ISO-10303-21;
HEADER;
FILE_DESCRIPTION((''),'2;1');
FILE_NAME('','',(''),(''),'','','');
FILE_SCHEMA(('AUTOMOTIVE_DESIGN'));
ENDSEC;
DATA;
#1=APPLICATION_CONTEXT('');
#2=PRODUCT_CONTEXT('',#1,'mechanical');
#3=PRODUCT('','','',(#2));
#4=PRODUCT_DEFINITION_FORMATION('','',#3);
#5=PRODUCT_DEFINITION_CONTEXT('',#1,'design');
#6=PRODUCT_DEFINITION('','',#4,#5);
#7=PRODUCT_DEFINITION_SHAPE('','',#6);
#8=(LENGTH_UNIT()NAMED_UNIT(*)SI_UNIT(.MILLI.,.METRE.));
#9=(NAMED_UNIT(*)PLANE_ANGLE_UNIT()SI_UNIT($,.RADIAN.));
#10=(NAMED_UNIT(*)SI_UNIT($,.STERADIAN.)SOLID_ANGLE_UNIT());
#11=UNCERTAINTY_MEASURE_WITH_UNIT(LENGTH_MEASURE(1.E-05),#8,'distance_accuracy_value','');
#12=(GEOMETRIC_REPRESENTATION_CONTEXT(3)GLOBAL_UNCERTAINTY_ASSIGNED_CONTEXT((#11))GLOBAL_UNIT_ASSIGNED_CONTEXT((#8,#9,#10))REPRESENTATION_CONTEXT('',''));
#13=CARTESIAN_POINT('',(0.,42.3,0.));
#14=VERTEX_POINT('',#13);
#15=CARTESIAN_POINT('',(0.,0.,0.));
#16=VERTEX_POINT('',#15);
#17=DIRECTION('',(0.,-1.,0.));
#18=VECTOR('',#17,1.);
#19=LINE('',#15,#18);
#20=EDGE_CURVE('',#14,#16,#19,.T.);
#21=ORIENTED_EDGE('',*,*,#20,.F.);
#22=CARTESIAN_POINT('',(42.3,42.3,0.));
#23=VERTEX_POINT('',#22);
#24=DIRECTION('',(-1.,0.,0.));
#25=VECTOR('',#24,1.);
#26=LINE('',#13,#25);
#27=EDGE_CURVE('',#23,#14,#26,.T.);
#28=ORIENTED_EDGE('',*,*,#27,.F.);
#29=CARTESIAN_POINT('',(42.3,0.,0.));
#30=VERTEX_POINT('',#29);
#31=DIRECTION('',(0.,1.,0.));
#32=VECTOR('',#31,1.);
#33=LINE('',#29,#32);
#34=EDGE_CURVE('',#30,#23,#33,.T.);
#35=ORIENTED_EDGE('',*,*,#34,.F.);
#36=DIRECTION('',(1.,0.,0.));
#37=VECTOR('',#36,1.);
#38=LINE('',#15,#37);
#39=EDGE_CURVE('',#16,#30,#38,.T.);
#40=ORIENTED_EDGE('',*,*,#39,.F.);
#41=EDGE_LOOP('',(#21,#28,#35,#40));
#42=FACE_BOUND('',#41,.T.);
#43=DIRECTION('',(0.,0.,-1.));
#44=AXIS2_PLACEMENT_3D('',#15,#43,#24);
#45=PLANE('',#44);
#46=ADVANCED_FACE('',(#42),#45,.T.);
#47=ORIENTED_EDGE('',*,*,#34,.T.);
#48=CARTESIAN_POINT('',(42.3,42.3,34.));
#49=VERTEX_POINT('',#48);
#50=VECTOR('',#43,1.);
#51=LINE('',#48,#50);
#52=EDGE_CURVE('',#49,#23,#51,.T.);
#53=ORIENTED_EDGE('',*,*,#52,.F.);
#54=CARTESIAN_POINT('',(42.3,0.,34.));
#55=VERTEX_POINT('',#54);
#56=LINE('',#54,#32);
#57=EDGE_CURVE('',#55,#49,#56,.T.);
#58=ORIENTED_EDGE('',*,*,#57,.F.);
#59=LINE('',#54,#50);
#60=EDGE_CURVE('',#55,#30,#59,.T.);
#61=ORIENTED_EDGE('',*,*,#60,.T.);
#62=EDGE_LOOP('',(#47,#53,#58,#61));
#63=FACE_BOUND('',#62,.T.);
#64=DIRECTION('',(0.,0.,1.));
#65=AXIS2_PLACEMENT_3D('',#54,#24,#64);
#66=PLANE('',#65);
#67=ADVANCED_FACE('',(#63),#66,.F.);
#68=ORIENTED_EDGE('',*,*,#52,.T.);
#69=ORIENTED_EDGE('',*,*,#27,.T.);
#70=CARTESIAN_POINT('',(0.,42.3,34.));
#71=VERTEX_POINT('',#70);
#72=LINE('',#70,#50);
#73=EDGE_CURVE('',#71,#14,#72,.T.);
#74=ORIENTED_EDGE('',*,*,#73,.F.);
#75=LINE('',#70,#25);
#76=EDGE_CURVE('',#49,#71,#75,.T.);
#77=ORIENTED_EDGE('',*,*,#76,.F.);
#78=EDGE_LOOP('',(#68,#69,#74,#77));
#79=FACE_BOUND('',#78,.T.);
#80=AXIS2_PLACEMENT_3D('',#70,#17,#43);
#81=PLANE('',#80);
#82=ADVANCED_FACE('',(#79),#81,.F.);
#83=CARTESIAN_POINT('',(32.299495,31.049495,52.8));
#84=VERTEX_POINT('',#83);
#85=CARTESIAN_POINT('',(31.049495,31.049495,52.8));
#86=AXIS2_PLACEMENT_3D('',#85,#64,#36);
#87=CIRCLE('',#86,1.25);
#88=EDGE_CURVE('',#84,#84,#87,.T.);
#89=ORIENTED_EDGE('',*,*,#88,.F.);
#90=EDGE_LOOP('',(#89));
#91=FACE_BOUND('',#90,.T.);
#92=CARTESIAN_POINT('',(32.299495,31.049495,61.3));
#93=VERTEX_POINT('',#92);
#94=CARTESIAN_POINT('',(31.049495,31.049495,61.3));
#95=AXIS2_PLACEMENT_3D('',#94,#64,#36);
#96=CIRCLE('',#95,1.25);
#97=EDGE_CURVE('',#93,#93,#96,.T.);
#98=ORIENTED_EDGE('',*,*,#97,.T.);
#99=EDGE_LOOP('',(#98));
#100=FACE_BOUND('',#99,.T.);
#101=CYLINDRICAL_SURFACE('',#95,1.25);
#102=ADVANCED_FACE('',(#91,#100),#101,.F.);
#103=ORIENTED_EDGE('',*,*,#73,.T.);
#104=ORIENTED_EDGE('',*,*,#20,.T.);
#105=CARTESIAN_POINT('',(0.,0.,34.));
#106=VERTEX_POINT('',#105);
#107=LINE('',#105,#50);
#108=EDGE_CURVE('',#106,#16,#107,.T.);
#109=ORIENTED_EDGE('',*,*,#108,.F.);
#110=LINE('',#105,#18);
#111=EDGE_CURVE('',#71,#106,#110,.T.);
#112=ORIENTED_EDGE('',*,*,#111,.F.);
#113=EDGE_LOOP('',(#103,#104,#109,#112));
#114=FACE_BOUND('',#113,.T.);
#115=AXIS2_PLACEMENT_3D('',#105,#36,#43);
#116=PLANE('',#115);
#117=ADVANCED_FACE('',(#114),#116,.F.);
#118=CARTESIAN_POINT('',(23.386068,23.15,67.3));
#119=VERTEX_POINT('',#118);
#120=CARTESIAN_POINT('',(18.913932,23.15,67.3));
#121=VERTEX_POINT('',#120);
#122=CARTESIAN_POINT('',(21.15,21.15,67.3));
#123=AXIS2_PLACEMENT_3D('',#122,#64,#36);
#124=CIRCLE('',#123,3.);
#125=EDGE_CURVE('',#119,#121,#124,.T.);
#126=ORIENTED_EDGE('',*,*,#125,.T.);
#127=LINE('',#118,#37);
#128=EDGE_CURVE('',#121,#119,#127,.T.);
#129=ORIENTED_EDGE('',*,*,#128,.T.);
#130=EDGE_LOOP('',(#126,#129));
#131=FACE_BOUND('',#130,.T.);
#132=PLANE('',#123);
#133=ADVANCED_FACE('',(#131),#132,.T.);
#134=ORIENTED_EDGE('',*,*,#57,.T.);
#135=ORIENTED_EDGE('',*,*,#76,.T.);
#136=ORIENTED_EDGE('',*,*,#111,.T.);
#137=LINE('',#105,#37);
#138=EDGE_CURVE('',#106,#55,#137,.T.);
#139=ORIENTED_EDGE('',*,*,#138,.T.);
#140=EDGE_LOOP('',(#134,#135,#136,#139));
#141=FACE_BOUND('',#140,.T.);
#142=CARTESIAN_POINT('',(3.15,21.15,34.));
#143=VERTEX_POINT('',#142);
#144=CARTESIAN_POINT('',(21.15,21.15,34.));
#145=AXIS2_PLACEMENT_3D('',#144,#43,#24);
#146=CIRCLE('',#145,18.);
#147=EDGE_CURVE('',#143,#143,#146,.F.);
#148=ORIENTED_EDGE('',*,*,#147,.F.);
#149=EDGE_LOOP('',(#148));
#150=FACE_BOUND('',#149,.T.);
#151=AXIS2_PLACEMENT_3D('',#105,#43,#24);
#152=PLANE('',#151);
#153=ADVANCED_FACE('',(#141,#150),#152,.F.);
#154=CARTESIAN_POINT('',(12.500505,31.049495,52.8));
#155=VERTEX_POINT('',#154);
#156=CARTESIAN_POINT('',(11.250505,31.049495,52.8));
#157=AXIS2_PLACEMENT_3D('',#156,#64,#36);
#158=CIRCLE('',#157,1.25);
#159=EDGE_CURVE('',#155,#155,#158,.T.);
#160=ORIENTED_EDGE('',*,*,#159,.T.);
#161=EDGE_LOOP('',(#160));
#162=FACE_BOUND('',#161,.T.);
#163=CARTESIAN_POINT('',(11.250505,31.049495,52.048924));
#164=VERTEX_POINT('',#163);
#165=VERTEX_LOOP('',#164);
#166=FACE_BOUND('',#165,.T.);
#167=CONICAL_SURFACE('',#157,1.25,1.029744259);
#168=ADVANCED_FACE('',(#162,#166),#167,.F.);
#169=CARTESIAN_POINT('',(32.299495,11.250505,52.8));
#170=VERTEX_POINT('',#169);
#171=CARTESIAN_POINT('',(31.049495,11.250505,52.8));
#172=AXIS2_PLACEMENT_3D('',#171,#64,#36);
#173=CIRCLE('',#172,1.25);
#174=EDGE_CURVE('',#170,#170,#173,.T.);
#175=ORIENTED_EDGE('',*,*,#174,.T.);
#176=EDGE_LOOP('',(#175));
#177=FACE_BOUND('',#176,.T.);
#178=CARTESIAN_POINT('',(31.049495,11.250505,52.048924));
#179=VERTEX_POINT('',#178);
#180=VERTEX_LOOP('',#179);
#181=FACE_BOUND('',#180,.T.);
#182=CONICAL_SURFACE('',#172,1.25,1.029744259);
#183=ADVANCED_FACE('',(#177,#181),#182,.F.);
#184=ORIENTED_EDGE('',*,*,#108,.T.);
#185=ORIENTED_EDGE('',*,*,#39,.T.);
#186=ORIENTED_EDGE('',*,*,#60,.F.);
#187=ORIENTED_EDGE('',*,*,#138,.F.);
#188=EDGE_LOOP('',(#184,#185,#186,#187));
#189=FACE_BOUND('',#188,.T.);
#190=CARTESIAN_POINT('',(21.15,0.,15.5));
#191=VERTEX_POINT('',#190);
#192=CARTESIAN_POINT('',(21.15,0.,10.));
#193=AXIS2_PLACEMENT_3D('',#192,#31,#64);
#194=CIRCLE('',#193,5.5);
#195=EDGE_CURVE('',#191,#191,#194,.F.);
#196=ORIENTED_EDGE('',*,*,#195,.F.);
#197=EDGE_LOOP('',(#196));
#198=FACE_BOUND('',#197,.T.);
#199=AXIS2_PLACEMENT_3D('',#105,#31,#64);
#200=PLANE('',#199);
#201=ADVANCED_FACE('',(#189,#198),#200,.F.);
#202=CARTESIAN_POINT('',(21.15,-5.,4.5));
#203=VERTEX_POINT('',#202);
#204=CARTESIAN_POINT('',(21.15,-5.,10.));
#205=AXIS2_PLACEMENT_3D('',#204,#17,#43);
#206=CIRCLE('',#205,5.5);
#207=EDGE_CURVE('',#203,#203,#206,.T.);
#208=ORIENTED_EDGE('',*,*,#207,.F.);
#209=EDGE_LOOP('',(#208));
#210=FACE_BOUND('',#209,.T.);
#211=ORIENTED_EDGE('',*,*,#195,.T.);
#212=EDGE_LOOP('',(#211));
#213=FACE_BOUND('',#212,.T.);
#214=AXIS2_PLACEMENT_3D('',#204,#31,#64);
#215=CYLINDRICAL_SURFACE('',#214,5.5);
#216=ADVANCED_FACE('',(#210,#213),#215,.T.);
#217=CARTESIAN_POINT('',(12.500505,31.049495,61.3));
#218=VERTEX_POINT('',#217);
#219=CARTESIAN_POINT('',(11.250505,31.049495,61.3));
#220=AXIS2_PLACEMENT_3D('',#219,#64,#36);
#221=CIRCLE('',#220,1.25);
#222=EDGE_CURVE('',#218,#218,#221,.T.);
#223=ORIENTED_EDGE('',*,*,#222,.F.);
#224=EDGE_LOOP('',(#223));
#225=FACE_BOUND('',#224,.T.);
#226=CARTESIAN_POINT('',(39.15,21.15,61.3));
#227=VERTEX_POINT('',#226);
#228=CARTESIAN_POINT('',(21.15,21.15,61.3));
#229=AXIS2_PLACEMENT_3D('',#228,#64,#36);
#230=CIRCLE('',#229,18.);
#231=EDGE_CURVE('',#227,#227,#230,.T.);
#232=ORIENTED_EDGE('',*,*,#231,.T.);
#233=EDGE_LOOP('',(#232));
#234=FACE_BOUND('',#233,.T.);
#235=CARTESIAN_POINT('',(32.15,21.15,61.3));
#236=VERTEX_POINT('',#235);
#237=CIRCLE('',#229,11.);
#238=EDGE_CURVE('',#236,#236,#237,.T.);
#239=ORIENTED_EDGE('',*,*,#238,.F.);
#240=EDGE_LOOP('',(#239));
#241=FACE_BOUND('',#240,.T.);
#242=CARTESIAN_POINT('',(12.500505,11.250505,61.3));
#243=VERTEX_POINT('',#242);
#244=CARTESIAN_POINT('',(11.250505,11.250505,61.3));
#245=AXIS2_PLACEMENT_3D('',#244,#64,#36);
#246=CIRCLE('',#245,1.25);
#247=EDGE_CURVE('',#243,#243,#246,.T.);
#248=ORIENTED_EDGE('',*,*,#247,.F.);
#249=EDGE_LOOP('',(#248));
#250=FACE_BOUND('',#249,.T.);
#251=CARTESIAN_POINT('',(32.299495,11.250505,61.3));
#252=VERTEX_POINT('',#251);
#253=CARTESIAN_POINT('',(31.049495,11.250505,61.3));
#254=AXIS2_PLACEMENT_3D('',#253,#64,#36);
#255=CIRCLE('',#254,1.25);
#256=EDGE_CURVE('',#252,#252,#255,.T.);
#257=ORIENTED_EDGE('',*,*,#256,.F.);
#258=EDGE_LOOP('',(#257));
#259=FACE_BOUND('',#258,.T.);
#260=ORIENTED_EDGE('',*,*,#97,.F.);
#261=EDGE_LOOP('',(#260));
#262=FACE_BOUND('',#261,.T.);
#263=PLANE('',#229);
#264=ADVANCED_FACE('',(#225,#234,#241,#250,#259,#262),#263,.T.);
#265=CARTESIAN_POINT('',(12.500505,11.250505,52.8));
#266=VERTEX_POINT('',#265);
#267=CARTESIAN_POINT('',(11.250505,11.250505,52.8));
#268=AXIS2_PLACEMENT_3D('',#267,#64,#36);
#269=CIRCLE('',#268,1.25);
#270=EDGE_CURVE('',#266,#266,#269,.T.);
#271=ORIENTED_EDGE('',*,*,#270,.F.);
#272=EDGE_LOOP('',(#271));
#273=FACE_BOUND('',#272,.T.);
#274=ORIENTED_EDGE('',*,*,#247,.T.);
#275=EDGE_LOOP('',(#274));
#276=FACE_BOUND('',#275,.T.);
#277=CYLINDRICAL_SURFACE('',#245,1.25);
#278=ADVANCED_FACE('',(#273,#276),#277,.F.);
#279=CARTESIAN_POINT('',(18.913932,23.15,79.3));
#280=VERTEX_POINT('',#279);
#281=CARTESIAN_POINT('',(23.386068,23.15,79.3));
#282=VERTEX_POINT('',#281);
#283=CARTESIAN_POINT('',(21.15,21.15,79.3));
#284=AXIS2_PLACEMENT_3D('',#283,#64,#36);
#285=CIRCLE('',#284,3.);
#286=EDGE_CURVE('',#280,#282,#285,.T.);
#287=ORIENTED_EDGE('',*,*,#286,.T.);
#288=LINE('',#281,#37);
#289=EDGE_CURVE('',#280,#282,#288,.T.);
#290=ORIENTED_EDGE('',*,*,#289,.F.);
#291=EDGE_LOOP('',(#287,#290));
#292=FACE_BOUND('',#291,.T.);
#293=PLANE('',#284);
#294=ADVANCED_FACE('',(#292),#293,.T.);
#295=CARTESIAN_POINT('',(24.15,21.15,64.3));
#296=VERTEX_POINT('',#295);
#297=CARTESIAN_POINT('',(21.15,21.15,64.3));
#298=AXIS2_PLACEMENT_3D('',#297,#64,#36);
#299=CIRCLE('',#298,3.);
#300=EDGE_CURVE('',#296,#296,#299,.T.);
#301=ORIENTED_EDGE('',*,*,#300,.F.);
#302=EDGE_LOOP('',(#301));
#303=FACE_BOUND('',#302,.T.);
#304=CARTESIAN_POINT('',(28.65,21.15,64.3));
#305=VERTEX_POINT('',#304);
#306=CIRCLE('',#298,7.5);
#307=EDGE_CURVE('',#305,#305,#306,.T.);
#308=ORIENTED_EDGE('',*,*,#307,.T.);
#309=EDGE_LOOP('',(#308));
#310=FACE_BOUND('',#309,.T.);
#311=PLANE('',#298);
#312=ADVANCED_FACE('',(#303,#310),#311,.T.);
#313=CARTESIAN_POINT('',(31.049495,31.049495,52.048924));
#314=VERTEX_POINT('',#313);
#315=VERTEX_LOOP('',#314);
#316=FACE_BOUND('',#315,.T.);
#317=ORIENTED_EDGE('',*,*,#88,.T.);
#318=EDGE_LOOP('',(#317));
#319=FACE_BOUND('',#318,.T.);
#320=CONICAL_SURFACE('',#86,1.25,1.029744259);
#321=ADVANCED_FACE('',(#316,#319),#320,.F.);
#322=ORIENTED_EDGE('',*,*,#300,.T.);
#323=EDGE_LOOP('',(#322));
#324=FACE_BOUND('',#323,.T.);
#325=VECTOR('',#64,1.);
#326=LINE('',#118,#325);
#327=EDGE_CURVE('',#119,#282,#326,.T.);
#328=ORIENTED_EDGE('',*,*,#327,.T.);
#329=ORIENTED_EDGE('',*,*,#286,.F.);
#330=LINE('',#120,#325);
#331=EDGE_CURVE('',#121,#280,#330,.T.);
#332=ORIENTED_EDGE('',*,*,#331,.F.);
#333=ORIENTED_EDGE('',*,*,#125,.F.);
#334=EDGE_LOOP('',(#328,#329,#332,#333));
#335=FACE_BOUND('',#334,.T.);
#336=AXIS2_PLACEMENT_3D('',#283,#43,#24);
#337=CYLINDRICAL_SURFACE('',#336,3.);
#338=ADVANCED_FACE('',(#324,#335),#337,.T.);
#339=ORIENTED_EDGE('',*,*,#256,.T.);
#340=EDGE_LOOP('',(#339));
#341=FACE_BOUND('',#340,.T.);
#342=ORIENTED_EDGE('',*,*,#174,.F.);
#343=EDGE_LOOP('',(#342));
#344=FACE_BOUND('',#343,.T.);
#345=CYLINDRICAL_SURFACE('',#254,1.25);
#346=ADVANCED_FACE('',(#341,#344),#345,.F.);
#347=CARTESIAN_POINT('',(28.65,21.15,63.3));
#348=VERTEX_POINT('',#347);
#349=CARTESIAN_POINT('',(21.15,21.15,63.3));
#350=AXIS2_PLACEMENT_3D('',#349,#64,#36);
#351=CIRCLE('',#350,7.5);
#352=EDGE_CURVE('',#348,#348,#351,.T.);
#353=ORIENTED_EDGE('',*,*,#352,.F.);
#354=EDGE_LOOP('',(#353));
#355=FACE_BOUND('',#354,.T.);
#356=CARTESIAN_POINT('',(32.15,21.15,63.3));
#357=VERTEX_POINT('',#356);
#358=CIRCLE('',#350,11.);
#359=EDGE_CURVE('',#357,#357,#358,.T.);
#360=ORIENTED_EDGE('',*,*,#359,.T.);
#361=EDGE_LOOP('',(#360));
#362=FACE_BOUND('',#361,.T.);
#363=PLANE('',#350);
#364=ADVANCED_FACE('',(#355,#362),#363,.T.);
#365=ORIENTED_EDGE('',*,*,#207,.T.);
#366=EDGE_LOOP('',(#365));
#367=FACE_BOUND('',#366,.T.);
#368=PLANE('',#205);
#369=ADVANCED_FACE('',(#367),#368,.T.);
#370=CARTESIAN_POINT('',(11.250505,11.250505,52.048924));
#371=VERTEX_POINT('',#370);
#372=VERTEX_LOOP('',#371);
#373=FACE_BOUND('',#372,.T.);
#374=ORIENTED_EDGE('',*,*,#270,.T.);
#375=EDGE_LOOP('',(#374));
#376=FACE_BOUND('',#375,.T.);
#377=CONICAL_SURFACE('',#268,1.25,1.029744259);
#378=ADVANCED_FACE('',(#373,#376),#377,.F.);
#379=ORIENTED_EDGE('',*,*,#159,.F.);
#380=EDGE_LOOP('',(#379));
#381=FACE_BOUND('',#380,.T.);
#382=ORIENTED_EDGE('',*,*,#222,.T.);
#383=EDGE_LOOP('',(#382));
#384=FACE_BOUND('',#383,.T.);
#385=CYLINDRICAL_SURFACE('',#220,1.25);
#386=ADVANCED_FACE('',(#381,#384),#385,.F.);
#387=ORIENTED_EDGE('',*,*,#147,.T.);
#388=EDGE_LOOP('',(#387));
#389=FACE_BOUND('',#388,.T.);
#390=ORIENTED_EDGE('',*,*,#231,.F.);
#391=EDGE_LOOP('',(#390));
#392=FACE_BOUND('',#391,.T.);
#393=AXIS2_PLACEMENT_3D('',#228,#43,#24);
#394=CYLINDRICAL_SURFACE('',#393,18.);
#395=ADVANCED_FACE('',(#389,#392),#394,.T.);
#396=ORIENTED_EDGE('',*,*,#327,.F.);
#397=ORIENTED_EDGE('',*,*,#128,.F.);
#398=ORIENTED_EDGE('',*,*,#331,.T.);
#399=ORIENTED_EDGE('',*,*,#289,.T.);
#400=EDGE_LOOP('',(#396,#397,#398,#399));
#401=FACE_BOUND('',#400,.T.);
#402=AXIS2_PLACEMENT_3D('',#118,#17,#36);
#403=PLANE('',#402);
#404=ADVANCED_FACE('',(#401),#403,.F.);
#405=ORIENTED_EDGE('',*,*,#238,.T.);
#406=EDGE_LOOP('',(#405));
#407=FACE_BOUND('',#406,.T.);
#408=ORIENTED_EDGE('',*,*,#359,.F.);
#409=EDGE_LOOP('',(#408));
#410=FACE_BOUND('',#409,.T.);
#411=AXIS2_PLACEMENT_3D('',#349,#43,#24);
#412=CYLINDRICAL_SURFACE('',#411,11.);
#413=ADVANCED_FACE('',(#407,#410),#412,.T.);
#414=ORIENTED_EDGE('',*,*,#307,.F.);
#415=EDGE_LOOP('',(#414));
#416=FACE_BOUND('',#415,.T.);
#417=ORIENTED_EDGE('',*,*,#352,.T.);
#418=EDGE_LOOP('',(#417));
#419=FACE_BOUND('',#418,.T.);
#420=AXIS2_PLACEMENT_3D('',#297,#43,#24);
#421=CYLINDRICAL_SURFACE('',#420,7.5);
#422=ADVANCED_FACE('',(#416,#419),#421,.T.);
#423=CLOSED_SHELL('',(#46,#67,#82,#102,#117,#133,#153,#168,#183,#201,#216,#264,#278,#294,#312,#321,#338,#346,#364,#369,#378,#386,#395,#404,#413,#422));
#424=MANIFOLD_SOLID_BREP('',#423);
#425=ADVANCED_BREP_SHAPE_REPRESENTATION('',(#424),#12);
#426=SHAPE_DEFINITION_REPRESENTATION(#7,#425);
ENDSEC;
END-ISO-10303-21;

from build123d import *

# Parameters (mm, degrees)
SKIZZE1_W                       = 42.3
SKIZZE1_H                       = 42.3
AUFSATZ_LINEAR_AUSTRAGEN1_DEPTH = 34
SKIZZE2_R                       = 18
AUFSATZ_LINEAR_AUSTRAGEN2_DEPTH = 27.3
SKIZZE3_R                       = 11
AUFSATZ_LINEAR_AUSTRAGEN3_DEPTH = 2
SKIZZE4_R                       = 7.5
AUFSATZ_LINEAR_AUSTRAGEN4_DEPTH = 1
SKIZZE5_R                       = 3
AUFSATZ_LINEAR_AUSTRAGEN5_DEPTH = 15
SCHNITT_LINEAR_START            = -12
SCHNITT_LINEAR_AUSTRAGEN1_DEPTH = 12
M3_GEWINDEBOHRUNG1_D            = 2.5
M3_GEWINDEBOHRUNG1_DEPTH        = 8.5
M3_GEWINDEBOHRUNG1_TIP          = 0.751075774
SKIZZE9_R                       = 5.5
AUFSATZ_LINEAR_AUSTRAGEN6_DEPTH = 5


with BuildPart() as part:
    # Skizze1 → Aufsatz-Linear austragen1 (new body)
    with BuildSketch(Plane.XY):
        with Locations((21.15, 21.15)):
            Rectangle(SKIZZE1_W, SKIZZE1_H)
    extrude(amount=AUFSATZ_LINEAR_AUSTRAGEN1_DEPTH)

    # Skizze2 → Aufsatz-Linear austragen2 (add)
    with BuildSketch(Plane.XY.offset(34)):
        with Locations(Location((21.15, 21.15, 0), (0, 0, 180))):
            Circle(SKIZZE2_R)
    extrude(amount=AUFSATZ_LINEAR_AUSTRAGEN2_DEPTH)

    # Skizze3 → Aufsatz-Linear austragen3 (add)
    with BuildSketch(Plane.XY.offset(61.3)):
        with Locations((21.15, 21.15)):
            Circle(SKIZZE3_R)
    extrude(amount=AUFSATZ_LINEAR_AUSTRAGEN3_DEPTH)

    # Skizze4 → Aufsatz-Linear austragen4 (add)
    with BuildSketch(Plane.XY.offset(63.3)):
        with Locations((21.15, 21.15)):
            Circle(SKIZZE4_R)
    extrude(amount=AUFSATZ_LINEAR_AUSTRAGEN4_DEPTH)

    # Skizze5 → Aufsatz-Linear austragen5 (add)
    with BuildSketch(Plane.XY.offset(64.3)):
        with Locations((21.15, 21.15)):
            Circle(SKIZZE5_R)
    extrude(amount=AUFSATZ_LINEAR_AUSTRAGEN5_DEPTH)

    # Skizze6 → Schnitt-Linear austragen1 (cut)
    with BuildSketch(Plane.XY.offset(79.3).offset(SCHNITT_LINEAR_START)):
        with BuildLine():
            Line((23.386067977, 23.15), (18.913932023, 23.15))
            ThreePointArc((18.913932023, 23.15), (21.15, 24.15), (23.386067977, 23.15))
        make_face()
    extrude(amount=SCHNITT_LINEAR_AUSTRAGEN1_DEPTH, mode=Mode.SUBTRACT)

    # M3 Gewindebohrung1
    with Locations(Plane.XY.offset(61.3)):
        with Locations((11.250505063, 11.250505063), (31.049494937, 11.250505063), (31.049494937, 31.049494937), (11.250505063, 31.049494937)):
            Hole(M3_GEWINDEBOHRUNG1_D / 2, depth=M3_GEWINDEBOHRUNG1_DEPTH)
            with Locations((0, 0, -(M3_GEWINDEBOHRUNG1_DEPTH + M3_GEWINDEBOHRUNG1_TIP / 2))):  # 118° drill point
                Cone(0, M3_GEWINDEBOHRUNG1_D / 2, M3_GEWINDEBOHRUNG1_TIP, mode=Mode.SUBTRACT)

    # Skizze9 → Aufsatz-Linear austragen6 (add)
    with BuildSketch(Plane(origin=(0, 0, 0), x_dir=(-1, 0, 0), z_dir=(0, -1, 0))):
        with Locations(Location((-21.15, -10, 0), (0, 0, 270))):
            Circle(SKIZZE9_R)
    extrude(amount=AUFSATZ_LINEAR_AUSTRAGEN6_DEPTH)


solid = part.part
